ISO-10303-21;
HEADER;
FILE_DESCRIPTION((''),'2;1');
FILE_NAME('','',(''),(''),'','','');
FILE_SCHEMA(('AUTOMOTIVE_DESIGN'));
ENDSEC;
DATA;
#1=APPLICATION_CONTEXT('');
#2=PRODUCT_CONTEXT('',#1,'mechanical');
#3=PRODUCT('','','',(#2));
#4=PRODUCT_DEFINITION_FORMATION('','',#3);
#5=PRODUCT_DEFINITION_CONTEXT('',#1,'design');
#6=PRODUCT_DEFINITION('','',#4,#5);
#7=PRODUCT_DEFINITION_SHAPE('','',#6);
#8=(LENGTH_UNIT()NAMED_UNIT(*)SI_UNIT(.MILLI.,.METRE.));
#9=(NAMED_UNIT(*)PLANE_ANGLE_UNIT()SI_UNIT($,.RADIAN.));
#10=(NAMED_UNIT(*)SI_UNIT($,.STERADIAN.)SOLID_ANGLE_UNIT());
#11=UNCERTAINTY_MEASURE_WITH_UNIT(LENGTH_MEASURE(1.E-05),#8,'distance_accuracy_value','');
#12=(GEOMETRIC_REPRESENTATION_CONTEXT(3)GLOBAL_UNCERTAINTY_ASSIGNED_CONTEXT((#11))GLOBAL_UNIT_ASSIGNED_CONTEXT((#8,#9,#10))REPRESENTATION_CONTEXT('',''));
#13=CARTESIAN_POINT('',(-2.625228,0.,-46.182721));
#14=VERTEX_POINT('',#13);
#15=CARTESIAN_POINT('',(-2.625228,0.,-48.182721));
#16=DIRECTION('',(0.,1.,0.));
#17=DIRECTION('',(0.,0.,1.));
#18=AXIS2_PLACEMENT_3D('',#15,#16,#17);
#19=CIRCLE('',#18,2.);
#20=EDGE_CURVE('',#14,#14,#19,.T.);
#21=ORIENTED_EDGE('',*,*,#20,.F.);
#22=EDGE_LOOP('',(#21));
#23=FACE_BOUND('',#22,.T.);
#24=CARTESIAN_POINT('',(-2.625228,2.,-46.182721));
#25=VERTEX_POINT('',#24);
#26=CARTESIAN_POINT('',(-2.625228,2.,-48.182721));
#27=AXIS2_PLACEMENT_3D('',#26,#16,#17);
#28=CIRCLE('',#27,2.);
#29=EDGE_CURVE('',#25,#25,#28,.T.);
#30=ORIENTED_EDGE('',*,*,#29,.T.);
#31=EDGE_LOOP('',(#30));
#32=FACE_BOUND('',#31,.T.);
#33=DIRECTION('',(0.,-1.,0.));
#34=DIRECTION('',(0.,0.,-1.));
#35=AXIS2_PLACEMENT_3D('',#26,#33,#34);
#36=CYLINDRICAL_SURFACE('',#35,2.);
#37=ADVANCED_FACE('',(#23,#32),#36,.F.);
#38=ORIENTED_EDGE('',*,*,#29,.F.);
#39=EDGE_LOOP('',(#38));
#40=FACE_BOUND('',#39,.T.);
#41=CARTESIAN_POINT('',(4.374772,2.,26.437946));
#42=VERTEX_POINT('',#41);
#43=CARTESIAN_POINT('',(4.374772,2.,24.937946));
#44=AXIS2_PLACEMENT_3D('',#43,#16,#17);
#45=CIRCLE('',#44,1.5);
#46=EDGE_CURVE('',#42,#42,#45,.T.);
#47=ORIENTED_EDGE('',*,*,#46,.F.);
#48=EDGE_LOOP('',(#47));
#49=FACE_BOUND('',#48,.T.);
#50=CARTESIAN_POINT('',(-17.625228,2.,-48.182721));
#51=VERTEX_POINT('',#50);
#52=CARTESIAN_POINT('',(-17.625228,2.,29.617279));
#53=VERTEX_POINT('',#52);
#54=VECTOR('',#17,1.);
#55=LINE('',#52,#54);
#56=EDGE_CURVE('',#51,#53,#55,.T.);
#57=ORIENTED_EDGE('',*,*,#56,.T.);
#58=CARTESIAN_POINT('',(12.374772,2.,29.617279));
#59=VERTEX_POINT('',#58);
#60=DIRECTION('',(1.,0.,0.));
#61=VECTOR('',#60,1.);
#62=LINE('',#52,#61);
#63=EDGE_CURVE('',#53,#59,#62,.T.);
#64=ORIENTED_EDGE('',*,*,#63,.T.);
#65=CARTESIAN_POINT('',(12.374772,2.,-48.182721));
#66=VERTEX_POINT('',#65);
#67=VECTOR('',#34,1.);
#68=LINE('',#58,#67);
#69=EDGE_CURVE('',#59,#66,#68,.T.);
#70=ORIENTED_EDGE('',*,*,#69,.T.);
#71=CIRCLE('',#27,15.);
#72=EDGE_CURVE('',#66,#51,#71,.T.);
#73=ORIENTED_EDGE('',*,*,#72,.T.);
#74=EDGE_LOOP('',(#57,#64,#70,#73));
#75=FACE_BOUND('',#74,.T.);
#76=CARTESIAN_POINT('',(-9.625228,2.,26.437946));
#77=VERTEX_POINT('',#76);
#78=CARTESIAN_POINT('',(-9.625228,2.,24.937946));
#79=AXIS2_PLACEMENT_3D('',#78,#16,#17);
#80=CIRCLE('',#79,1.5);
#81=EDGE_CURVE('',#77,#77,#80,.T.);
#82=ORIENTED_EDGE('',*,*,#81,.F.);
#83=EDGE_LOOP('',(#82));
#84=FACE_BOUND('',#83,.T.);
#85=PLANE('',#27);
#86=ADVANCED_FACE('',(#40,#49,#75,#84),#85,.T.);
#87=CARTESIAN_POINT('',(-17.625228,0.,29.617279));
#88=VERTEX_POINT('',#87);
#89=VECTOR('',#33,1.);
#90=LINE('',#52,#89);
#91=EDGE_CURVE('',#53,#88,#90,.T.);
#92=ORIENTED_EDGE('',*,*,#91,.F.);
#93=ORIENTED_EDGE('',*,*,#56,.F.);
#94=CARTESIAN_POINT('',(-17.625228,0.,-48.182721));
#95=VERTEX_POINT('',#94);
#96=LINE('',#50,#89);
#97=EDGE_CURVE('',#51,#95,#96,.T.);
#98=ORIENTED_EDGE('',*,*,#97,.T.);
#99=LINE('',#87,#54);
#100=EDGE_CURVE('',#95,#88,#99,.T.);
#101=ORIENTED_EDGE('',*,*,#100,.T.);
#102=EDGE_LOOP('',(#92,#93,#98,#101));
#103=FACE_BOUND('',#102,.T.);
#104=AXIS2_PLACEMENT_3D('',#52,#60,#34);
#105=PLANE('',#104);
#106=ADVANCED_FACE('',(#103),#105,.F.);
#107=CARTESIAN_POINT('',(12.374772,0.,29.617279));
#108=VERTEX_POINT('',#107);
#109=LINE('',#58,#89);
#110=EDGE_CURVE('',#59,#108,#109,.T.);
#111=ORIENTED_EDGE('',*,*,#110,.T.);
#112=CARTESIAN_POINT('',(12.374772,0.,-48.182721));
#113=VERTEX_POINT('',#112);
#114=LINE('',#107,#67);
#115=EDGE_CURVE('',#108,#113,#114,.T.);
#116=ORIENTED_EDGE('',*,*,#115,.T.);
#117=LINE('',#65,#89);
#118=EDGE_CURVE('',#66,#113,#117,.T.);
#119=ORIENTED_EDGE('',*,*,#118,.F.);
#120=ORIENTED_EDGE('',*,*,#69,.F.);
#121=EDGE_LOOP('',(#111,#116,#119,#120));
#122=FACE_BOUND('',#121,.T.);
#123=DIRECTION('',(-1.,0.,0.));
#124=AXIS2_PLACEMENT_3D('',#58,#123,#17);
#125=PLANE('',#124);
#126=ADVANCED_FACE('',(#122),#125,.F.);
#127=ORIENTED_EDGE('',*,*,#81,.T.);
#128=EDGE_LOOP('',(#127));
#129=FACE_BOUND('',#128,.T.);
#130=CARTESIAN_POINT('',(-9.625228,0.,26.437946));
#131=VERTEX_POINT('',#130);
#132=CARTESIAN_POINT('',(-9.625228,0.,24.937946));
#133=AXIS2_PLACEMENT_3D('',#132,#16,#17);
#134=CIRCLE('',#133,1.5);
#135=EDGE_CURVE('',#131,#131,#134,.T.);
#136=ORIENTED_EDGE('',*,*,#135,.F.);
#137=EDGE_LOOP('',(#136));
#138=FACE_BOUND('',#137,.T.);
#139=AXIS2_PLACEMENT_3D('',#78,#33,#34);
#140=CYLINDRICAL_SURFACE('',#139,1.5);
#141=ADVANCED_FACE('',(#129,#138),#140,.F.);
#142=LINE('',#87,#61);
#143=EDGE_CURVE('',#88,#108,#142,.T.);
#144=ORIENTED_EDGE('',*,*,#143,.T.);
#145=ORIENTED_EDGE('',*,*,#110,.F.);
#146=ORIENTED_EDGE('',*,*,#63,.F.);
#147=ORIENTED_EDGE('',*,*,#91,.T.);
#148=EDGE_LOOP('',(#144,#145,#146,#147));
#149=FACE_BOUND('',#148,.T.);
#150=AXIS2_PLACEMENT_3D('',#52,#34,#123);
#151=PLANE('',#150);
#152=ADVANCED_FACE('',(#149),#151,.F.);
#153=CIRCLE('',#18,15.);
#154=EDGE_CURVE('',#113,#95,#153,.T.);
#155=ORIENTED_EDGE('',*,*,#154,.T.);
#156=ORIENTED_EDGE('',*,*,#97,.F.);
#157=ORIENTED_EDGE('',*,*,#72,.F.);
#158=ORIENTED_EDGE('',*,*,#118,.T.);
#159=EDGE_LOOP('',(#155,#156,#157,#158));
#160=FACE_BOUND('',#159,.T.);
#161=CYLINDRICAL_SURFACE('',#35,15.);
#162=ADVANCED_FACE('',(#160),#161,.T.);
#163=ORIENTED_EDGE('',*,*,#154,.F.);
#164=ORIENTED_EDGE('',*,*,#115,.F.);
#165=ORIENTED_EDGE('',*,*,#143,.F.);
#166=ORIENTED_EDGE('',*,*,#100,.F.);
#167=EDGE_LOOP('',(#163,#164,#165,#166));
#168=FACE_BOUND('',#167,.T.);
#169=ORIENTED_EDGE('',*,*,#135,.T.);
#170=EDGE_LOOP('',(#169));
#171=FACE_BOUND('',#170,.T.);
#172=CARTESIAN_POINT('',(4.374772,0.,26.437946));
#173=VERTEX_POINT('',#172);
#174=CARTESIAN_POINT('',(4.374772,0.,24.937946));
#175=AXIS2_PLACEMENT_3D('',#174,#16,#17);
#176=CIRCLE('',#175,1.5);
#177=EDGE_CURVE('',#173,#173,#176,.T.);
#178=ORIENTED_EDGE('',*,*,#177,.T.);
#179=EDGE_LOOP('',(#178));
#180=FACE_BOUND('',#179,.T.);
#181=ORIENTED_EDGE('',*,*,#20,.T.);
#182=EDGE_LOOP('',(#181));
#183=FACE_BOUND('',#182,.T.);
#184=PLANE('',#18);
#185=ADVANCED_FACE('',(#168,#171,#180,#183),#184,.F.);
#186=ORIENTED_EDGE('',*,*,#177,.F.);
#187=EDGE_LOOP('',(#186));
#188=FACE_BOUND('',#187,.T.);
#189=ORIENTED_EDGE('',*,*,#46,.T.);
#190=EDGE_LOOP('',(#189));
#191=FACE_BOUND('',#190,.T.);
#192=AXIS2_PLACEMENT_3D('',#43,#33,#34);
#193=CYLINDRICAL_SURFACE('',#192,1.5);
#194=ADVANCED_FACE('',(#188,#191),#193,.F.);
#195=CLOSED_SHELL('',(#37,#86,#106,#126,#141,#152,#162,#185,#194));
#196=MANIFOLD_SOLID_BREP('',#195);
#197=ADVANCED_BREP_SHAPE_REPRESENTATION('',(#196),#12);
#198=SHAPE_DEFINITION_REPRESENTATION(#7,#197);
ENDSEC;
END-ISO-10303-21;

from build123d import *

# Parameters (mm, degrees)
SKETCH_1_R      = 1.5
SKETCH_1_R_2    = 2
EXTRUDE_1_DEPTH = 2


with BuildPart() as part:
    # Эскиз1 → Бобышка-Вытянуть1 (new body)
    with BuildSketch(Plane(origin=(0, 0, 0), x_dir=(1, 0, 0), z_dir=(0, 1, 0))):
        with BuildLine():
            Line((-17.625227915, -29.617278809), (12.374772085, -29.617278809))
            Line((12.374772085, -29.617278809), (12.374772085, 48.182721191))
            ThreePointArc((12.374772085, 48.182721191), (-2.625227915, 63.182721191), (-17.625227915, 48.182721191))
            Line((-17.625227915, 48.182721191), (-17.625227915, -29.617278809))
        make_face()
        with Locations(Location((-9.625227915, -24.937945637, 0), (0, 0, 270))):
            Circle(SKETCH_1_R, mode=Mode.SUBTRACT)
        with Locations(Location((4.374772085, -24.937945637, 0), (0, 0, 270))):
            Circle(SKETCH_1_R, mode=Mode.SUBTRACT)
        with Locations(Location((-2.625227915, 48.182721191, 0), (0, 0, 270))):
            Circle(SKETCH_1_R_2, mode=Mode.SUBTRACT)
    extrude(amount=EXTRUDE_1_DEPTH)


solid = part.part
